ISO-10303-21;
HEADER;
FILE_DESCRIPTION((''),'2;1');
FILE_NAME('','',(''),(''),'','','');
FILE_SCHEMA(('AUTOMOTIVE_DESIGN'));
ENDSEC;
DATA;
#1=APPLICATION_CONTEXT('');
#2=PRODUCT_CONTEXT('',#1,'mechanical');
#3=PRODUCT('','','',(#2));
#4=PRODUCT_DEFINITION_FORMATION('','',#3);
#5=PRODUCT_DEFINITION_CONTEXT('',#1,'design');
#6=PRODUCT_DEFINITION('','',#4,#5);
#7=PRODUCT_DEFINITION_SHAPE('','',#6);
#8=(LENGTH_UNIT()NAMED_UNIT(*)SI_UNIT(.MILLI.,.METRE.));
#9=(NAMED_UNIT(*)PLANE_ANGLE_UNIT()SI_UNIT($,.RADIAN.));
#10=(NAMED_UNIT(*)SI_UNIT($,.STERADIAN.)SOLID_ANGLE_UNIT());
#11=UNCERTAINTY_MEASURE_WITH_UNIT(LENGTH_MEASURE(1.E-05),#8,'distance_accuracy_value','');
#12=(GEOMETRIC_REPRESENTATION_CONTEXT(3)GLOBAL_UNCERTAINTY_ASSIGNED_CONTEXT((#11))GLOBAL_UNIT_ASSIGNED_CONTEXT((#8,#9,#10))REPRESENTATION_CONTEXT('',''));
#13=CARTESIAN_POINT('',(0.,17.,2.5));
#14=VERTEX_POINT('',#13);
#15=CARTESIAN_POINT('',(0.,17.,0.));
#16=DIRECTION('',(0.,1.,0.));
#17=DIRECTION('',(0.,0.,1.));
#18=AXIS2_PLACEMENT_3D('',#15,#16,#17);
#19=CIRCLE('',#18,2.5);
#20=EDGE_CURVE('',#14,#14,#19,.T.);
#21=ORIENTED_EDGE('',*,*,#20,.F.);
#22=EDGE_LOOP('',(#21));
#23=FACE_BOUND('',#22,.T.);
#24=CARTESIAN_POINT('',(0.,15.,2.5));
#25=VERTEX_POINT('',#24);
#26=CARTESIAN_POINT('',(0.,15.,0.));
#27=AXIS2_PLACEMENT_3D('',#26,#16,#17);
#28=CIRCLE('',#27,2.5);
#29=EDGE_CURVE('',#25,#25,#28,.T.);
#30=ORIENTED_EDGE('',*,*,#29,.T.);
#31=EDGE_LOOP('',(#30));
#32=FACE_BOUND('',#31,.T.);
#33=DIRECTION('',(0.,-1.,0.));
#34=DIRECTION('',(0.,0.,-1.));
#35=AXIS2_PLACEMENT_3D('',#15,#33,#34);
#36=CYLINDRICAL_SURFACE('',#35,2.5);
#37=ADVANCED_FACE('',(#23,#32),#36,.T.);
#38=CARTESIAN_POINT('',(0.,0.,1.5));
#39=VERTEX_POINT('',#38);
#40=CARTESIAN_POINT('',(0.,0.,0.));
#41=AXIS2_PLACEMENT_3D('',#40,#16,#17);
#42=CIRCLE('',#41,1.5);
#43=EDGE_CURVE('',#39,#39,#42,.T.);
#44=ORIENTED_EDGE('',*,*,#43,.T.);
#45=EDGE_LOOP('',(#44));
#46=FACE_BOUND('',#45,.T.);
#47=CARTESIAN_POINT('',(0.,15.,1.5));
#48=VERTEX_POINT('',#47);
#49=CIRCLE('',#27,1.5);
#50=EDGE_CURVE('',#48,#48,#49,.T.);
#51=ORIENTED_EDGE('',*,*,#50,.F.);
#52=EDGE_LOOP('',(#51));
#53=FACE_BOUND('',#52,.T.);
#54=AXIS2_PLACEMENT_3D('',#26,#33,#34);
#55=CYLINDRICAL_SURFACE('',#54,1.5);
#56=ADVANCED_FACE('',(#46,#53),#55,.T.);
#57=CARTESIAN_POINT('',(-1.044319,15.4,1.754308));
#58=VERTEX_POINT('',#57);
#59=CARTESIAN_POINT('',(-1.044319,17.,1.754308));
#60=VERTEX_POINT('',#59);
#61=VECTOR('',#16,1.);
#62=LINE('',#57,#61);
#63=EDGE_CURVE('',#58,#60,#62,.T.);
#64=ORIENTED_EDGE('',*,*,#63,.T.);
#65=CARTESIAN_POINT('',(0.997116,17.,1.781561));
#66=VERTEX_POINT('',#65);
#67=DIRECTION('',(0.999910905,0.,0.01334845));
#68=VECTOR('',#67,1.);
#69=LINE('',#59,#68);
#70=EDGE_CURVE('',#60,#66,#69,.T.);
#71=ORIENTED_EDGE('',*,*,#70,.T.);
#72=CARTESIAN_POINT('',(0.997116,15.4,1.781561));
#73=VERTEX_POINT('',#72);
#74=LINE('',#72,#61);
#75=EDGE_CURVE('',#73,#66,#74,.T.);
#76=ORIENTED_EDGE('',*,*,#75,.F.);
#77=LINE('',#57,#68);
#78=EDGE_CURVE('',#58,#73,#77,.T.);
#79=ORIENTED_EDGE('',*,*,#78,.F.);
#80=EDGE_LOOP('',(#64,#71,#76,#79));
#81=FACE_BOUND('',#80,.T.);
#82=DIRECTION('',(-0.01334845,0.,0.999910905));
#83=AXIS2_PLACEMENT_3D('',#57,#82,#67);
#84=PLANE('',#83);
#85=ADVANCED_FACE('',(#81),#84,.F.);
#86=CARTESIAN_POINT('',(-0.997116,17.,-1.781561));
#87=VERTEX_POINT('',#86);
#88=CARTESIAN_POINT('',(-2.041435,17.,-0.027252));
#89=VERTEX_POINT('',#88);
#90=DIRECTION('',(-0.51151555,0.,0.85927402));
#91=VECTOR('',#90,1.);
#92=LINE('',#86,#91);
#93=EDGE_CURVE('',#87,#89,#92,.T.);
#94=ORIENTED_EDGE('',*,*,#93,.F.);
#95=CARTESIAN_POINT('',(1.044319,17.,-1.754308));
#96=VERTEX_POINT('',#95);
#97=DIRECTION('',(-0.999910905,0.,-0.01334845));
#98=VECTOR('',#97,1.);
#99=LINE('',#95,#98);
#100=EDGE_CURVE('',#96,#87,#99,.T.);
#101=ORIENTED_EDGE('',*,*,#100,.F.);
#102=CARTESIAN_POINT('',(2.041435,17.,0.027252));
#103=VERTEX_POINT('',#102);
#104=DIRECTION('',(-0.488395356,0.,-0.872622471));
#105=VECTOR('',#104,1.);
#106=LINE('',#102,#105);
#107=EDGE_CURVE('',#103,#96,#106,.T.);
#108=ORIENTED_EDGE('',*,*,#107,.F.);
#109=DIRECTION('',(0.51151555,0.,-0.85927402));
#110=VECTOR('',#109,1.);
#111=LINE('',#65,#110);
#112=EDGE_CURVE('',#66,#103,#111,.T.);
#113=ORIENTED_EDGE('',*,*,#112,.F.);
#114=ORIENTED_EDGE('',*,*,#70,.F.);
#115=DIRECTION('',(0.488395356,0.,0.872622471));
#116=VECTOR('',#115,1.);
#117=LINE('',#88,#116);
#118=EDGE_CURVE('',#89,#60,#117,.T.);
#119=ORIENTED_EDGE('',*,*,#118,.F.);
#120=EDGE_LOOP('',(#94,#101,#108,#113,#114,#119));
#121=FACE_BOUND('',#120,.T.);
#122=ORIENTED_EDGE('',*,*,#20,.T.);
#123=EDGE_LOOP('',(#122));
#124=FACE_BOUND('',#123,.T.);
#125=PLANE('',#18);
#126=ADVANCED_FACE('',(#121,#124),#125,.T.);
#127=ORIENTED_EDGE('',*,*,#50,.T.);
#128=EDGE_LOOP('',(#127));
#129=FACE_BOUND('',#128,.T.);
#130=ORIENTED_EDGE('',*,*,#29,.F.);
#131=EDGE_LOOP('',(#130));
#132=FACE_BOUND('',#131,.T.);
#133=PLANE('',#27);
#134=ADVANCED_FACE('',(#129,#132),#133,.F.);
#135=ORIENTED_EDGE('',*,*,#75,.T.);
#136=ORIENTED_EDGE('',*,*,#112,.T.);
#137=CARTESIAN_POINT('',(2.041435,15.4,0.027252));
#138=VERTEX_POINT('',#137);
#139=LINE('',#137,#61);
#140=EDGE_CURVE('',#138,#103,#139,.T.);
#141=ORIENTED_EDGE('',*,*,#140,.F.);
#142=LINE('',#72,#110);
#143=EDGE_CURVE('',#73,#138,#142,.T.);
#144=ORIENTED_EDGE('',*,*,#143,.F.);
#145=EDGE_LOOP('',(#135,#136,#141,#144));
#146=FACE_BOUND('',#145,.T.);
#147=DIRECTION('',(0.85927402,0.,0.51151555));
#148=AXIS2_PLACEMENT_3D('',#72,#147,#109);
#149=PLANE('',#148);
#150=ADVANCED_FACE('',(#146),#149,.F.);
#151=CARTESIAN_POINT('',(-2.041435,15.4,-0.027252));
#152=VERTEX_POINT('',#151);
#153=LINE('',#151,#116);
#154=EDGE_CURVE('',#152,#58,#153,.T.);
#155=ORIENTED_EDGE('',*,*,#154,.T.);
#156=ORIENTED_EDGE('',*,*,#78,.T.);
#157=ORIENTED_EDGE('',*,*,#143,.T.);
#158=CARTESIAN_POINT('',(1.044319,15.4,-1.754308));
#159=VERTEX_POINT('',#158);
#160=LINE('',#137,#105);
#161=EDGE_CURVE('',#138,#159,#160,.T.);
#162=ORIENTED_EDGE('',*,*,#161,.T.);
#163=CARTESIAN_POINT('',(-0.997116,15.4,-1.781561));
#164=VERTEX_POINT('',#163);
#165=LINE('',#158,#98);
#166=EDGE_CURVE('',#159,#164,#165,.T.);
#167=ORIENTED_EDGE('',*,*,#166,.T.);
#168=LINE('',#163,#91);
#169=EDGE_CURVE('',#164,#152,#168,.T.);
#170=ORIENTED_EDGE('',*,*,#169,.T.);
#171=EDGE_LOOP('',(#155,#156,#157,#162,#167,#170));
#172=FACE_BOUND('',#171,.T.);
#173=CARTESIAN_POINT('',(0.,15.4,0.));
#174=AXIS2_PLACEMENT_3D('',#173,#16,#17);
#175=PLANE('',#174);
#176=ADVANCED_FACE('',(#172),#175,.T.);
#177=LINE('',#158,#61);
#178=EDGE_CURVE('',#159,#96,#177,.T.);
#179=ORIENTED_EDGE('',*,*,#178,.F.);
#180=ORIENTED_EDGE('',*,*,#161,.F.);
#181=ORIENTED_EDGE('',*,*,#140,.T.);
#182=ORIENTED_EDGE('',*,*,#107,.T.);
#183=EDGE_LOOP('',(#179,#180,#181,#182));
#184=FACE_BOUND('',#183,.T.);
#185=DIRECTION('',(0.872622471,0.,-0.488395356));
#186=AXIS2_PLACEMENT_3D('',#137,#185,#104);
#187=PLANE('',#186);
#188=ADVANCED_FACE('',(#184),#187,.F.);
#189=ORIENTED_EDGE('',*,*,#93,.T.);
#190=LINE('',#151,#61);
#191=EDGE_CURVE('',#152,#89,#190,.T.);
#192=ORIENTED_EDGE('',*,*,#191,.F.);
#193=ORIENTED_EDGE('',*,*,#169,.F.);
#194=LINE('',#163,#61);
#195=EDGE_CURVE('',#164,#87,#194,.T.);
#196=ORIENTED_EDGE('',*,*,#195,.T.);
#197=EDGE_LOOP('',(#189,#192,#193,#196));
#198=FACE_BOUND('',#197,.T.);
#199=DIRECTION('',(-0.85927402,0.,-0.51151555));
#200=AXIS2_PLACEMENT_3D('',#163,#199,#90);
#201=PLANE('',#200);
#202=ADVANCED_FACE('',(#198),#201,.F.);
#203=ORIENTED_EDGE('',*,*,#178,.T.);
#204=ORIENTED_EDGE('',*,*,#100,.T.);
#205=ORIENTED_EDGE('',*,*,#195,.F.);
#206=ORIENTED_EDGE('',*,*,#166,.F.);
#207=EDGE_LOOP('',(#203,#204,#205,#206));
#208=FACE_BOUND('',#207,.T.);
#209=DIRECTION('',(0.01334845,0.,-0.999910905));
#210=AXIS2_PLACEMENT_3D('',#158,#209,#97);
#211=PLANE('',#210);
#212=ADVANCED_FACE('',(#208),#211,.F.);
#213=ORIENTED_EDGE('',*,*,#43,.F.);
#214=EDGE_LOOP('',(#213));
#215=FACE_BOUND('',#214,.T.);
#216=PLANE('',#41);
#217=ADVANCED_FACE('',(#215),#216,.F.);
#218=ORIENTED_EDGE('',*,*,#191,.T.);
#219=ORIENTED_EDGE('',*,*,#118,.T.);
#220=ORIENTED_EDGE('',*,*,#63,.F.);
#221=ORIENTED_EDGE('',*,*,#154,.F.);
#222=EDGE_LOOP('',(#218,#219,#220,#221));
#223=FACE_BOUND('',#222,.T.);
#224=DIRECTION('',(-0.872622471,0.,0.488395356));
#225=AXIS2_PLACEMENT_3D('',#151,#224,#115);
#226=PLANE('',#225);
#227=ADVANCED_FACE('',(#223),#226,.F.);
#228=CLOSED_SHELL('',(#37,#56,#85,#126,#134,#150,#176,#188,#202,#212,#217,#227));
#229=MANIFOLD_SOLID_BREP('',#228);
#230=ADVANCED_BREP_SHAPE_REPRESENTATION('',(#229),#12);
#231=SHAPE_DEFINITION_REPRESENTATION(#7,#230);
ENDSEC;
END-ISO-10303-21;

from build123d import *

# Parameters (mm, degrees)
SKETCH1_R           = 1.5
BOSS_EXTRUDE1_DEPTH = 15
SKETCH2_R           = 2.5
BOSS_EXTRUDE2_DEPTH = 2
CUT_EXTRUDE2_DEPTH  = 1.6


with BuildPart() as part:
    # Sketch1 → Boss-Extrude1 (new body)
    with BuildSketch(Plane(origin=(0, 0, 0), x_dir=(1, 0, 0), z_dir=(0, 1, 0))):
        Circle(SKETCH1_R)
    extrude(amount=BOSS_EXTRUDE1_DEPTH)

    # Sketch2 → Boss-Extrude2 (add)
    with BuildSketch(Plane(origin=(0, 15, 0), x_dir=(1, 0, 0), z_dir=(0, 1, 0))):
        Circle(SKETCH2_R)
    extrude(amount=BOSS_EXTRUDE2_DEPTH)

    # Sketch3 → Cut-Extrude2 (cut)
    with BuildSketch(Plane(origin=(0, 17, 0), x_dir=(1, 0, 0), z_dir=(0, 1, 0))):
        Polygon((0.997116077, -1.781560543), (2.041434727, -0.027252418), (1.04431865, 1.754308125), (-0.997116077, 1.781560543), (-2.041434727, 0.027252418), (-1.04431865, -1.754308125), align=None)
    extrude(amount=-CUT_EXTRUDE2_DEPTH, mode=Mode.SUBTRACT)


solid = part.part
